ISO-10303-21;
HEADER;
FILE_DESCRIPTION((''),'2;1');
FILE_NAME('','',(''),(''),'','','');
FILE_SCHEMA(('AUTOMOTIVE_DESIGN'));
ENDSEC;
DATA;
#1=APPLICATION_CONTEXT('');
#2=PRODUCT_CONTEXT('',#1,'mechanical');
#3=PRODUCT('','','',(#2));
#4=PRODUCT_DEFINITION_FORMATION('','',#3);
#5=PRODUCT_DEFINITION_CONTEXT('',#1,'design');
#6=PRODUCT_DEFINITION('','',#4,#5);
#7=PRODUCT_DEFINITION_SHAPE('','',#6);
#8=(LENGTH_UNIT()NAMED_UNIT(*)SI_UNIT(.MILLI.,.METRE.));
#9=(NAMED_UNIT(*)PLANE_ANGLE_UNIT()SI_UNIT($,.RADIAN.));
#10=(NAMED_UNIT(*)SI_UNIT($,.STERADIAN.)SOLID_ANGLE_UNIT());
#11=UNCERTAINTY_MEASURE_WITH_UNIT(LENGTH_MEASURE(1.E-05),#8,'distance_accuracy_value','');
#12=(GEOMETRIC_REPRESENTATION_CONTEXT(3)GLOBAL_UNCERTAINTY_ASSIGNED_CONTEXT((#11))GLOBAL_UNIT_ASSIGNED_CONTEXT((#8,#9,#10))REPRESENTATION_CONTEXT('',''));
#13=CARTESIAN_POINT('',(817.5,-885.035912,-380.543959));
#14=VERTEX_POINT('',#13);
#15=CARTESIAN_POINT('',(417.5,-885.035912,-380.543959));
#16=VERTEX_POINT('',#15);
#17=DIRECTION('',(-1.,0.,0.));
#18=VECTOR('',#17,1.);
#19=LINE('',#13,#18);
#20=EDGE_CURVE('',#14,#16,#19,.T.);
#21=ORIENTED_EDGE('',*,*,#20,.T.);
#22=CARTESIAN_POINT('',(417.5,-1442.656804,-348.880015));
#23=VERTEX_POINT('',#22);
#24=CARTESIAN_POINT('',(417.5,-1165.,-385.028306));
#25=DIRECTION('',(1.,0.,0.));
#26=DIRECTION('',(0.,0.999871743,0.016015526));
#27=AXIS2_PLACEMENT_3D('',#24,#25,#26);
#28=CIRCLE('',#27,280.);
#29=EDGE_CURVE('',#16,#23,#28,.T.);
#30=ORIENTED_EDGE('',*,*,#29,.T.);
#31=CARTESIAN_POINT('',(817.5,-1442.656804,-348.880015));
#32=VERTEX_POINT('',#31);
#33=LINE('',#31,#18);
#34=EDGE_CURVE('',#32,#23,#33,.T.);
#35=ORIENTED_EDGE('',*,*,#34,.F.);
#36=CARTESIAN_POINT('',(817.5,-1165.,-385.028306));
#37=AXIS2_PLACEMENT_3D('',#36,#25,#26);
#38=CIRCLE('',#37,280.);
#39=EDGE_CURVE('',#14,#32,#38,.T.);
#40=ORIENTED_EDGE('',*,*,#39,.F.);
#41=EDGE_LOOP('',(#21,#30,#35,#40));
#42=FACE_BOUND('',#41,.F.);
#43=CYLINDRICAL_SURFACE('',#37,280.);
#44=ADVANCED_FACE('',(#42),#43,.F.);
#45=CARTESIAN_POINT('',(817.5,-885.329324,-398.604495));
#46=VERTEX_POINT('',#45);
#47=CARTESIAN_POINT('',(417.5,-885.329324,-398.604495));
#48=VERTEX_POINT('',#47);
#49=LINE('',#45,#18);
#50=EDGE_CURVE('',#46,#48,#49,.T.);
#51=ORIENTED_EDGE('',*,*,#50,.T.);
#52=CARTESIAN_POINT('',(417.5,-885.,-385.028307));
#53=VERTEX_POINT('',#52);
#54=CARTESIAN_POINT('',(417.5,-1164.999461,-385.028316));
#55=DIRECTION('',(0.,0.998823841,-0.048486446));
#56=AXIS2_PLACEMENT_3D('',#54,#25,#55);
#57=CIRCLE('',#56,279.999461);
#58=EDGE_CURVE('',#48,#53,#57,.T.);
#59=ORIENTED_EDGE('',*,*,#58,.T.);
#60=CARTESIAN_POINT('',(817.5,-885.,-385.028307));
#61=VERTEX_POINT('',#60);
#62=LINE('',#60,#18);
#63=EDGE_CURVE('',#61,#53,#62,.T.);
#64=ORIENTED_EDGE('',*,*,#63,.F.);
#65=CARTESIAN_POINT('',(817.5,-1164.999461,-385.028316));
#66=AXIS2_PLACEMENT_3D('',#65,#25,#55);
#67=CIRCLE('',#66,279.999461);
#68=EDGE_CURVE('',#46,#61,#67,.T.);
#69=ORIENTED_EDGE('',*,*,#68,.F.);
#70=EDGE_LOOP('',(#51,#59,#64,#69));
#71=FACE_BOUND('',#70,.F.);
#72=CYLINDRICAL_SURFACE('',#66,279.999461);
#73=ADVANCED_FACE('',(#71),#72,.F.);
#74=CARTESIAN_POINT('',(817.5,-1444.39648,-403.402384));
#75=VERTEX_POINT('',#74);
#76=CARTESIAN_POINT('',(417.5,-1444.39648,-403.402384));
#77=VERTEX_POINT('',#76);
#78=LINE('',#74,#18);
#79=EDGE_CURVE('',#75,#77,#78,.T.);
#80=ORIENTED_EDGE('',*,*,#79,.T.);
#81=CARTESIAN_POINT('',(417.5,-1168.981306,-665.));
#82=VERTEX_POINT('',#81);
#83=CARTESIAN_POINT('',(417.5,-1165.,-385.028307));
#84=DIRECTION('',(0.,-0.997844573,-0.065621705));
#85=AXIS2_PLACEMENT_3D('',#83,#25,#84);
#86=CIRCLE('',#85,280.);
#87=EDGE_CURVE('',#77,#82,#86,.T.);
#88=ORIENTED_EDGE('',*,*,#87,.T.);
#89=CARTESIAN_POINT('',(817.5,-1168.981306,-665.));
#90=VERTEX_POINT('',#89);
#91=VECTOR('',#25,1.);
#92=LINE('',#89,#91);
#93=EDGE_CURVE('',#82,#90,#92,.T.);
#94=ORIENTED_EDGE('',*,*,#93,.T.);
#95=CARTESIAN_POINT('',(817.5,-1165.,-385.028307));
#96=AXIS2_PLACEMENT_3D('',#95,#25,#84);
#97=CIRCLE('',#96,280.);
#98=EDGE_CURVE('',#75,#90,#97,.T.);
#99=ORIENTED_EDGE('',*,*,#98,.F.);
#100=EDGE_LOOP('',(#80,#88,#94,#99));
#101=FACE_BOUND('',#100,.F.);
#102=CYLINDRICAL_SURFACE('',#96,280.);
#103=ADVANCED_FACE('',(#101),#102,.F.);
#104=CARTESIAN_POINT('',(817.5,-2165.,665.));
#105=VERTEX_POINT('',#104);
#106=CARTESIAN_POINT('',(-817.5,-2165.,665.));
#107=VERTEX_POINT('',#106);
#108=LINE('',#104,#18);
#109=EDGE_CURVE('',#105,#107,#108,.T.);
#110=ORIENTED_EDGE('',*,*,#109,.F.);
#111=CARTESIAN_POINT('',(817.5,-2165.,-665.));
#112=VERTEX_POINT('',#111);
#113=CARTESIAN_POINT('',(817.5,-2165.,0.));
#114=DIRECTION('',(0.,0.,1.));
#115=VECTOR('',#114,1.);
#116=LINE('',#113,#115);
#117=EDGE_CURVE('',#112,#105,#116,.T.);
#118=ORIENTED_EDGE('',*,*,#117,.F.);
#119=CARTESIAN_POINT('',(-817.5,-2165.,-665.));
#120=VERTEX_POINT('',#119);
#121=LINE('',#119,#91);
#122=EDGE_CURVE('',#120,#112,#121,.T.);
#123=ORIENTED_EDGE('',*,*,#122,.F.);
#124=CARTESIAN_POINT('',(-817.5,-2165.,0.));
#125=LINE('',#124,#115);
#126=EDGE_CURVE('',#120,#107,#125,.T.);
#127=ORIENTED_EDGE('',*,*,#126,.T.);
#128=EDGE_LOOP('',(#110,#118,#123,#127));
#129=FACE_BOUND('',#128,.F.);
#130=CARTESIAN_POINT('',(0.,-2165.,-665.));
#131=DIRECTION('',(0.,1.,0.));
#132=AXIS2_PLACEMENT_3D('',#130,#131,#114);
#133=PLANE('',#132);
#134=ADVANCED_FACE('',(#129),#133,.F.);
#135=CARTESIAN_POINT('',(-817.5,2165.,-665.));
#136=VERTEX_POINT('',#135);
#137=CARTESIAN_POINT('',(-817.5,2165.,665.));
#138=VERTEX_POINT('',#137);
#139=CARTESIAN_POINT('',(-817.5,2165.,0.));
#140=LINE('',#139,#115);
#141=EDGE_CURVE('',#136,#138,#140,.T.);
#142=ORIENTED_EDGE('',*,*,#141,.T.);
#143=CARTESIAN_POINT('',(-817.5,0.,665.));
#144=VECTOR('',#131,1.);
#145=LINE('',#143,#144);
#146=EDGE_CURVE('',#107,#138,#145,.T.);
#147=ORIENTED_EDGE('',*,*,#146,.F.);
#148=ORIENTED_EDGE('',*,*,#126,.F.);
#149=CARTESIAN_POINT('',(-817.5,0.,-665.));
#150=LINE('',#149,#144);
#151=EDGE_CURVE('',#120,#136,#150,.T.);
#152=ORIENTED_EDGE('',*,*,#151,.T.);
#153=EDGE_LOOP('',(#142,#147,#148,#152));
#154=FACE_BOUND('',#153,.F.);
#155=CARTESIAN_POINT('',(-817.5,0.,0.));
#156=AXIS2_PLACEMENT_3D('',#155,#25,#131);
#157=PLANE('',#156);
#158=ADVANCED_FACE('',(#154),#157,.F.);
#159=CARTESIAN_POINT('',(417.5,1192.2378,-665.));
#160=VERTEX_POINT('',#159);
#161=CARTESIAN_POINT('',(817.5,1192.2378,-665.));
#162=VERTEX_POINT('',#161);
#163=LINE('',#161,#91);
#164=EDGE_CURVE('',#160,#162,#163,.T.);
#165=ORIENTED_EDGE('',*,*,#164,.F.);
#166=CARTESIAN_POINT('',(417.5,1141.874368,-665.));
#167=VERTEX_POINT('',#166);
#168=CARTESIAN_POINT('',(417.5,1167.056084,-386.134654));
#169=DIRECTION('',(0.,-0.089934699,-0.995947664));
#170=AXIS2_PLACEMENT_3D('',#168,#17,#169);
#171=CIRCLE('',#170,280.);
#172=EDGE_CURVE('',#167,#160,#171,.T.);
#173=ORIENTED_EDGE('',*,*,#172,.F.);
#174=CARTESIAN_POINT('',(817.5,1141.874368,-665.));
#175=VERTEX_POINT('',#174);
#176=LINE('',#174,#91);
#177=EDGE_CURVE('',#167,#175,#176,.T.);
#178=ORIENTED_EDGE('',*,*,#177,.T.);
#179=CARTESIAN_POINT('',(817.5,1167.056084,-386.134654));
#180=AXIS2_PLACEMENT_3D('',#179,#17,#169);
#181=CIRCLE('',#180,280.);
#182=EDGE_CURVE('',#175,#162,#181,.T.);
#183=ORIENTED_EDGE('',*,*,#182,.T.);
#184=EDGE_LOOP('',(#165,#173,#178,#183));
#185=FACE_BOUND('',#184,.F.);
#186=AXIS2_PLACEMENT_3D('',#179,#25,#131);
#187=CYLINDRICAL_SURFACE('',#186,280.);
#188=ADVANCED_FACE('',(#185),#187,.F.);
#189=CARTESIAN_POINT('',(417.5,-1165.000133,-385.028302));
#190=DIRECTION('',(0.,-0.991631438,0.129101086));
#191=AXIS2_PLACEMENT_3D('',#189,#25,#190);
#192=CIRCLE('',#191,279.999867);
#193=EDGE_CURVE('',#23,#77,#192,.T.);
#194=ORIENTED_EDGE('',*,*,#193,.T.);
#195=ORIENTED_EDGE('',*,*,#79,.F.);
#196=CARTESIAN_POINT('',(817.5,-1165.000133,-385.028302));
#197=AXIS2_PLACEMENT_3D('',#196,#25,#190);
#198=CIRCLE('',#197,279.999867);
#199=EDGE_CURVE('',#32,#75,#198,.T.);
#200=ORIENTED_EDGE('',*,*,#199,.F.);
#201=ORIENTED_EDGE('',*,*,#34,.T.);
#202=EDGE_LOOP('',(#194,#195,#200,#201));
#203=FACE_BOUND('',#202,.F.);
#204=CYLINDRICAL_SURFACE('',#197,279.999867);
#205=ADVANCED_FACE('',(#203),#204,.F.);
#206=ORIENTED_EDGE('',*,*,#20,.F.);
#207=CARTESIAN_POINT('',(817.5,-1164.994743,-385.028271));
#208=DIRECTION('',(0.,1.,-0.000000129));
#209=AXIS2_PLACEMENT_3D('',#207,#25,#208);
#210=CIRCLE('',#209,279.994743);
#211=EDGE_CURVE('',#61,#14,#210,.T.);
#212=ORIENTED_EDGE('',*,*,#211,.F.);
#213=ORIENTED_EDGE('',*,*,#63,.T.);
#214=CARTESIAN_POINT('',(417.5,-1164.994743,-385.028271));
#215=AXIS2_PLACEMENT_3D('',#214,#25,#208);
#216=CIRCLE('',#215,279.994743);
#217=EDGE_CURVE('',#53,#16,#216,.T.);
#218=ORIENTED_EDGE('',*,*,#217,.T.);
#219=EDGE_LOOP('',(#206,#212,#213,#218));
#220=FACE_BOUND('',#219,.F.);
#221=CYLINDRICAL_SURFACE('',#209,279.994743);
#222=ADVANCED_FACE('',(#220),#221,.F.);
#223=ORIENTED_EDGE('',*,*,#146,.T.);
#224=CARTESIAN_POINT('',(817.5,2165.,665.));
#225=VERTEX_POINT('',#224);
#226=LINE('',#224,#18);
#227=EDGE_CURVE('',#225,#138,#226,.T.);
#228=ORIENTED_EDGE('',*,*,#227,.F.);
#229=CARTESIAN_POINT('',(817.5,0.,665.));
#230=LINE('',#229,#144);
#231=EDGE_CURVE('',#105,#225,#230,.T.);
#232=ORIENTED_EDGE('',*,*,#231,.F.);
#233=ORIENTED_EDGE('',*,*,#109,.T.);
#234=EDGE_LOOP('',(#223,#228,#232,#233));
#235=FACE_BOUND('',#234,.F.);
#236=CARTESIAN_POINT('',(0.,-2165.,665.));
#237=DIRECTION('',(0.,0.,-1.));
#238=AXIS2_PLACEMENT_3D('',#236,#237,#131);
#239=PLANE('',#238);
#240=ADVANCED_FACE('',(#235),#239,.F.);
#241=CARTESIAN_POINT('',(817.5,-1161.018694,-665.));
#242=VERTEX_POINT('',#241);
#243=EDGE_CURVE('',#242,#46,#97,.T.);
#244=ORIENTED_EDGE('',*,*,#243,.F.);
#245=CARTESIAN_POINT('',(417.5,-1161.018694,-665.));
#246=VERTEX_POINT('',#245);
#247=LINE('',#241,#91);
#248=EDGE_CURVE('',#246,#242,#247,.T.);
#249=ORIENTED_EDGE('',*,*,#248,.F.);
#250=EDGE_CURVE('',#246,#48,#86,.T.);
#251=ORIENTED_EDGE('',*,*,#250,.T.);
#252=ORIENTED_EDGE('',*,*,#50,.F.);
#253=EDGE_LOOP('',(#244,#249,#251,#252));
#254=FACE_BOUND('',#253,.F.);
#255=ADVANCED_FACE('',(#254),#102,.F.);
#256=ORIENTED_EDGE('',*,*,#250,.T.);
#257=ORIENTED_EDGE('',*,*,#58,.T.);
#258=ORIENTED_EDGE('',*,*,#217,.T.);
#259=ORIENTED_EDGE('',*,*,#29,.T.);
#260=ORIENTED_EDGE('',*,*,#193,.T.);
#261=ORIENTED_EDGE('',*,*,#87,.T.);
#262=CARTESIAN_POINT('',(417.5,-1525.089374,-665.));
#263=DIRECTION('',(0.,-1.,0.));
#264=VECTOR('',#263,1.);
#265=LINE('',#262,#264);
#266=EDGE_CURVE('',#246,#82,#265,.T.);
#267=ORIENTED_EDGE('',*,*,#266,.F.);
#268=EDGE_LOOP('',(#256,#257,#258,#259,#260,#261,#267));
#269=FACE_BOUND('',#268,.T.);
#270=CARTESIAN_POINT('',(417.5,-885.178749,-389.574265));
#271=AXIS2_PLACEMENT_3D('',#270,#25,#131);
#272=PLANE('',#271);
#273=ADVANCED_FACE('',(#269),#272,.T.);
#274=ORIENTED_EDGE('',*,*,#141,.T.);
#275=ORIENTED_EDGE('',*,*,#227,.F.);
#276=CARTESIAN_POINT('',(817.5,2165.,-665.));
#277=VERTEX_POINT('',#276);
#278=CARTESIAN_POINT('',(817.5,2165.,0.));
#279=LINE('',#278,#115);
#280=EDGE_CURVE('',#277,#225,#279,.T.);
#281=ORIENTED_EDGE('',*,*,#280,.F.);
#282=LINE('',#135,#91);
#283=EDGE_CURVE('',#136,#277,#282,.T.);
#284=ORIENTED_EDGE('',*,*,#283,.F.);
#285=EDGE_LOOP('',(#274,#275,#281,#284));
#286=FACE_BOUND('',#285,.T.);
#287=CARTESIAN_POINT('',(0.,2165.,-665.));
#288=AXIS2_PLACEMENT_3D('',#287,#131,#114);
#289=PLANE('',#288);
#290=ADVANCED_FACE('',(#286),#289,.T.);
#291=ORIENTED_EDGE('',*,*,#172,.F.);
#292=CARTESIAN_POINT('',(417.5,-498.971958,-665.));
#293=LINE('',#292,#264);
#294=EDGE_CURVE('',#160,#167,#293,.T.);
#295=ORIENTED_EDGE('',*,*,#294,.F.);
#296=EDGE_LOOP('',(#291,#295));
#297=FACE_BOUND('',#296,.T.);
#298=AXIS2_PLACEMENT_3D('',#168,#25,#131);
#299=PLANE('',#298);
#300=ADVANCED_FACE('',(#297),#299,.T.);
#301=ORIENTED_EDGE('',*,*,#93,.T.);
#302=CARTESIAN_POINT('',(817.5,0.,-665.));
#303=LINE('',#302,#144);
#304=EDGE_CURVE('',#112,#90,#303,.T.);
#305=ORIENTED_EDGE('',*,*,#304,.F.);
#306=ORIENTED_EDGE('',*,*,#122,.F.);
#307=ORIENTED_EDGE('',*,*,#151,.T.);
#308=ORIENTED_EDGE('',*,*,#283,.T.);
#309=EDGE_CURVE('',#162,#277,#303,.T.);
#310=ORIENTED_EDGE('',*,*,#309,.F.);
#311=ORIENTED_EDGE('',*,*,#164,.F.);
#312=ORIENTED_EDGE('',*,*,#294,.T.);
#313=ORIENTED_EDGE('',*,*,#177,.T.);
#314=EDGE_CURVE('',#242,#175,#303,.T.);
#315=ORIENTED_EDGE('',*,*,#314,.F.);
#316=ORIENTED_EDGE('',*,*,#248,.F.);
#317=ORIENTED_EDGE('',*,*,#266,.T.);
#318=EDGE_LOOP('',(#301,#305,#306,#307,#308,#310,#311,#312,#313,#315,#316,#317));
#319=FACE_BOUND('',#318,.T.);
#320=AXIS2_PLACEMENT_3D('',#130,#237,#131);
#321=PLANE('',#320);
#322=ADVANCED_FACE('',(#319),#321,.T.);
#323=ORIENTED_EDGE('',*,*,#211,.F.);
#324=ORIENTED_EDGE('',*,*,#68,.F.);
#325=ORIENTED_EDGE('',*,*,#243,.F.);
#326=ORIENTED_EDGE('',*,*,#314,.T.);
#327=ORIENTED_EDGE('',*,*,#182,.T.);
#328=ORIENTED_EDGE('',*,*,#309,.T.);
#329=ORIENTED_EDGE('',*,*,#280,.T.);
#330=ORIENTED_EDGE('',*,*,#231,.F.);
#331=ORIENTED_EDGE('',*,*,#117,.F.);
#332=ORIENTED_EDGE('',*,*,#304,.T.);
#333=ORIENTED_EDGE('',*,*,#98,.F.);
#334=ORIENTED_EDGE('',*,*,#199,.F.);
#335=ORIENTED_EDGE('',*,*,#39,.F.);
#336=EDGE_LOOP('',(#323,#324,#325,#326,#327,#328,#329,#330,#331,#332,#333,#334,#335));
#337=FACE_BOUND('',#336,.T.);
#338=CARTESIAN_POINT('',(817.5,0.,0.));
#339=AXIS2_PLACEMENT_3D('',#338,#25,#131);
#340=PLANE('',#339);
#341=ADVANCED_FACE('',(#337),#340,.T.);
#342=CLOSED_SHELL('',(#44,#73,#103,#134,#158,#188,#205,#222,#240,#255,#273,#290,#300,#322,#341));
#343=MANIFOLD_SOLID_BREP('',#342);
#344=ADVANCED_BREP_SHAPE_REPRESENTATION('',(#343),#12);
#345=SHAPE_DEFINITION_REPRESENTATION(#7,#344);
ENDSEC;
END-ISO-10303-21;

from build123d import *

# Parameters (mm, degrees)
F0_W          = 4330
F0_H          = 1330
F1_DEPTH      = 817.5
F1_DEPTH_BACK = 817.5
F5_DEPTH      = 400
F4_R          = 280
F6_DEPTH      = 400


with BuildPart() as f1:
    # F0 (on Right) → F1 (new body, two sides)
    with BuildSketch(Plane.YZ) as f1_sk:
        Rectangle(F0_W, F0_H)
    extrude(amount=F1_DEPTH)
    extrude(f1_sk.sketch, amount=-F1_DEPTH_BACK)

    # F2 (on face) → F5 (cut)
    with BuildSketch(Plane.YZ.offset(817.5)):
        with BuildLine():
            ThreePointArc((-885.329324, -398.604495), (-885.082343, -391.818398), (-885, -385.028307))
            ThreePointArc((-885, -385.028307), (-885.008978, -382.786061), (-885.035912, -380.543959))
            ThreePointArc((-885.035912, -380.543959), (-885.325431, -389.571907), (-885.329324, -398.604495))
        make_face()
        with BuildLine():
            ThreePointArc((-885.329324, -398.604495), (-885.325431, -389.571907), (-885.035912, -380.543959))
            ThreePointArc((-885.035912, -380.543959), (-1149.126052, -105.478637), (-1442.656804, -348.880015))
            ThreePointArc((-1442.656804, -348.880015), (-1442.297078, -376.180432), (-1444.39648, -403.402384))
            ThreePointArc((-1444.39648, -403.402384), (-1162.597141, -665.017996), (-885.329324, -398.604495))
        make_face()
        with BuildLine():
            ThreePointArc((-1444.39648, -403.402384), (-1442.297078, -376.180432), (-1442.656804, -348.880015))
            ThreePointArc((-1442.656804, -348.880015), (-1444.857576, -376.098733), (-1444.39648, -403.402384))
        make_face()
    extrude(amount=-F5_DEPTH, mode=Mode.SUBTRACT)

    # F4 (on face) → F6 (cut)
    with BuildSketch(Plane.YZ.offset(817.5)):
        with Locations((1167.056084, -386.134654)):
            Circle(F4_R)
    extrude(amount=-F6_DEPTH, mode=Mode.SUBTRACT)


solid = f1.part
